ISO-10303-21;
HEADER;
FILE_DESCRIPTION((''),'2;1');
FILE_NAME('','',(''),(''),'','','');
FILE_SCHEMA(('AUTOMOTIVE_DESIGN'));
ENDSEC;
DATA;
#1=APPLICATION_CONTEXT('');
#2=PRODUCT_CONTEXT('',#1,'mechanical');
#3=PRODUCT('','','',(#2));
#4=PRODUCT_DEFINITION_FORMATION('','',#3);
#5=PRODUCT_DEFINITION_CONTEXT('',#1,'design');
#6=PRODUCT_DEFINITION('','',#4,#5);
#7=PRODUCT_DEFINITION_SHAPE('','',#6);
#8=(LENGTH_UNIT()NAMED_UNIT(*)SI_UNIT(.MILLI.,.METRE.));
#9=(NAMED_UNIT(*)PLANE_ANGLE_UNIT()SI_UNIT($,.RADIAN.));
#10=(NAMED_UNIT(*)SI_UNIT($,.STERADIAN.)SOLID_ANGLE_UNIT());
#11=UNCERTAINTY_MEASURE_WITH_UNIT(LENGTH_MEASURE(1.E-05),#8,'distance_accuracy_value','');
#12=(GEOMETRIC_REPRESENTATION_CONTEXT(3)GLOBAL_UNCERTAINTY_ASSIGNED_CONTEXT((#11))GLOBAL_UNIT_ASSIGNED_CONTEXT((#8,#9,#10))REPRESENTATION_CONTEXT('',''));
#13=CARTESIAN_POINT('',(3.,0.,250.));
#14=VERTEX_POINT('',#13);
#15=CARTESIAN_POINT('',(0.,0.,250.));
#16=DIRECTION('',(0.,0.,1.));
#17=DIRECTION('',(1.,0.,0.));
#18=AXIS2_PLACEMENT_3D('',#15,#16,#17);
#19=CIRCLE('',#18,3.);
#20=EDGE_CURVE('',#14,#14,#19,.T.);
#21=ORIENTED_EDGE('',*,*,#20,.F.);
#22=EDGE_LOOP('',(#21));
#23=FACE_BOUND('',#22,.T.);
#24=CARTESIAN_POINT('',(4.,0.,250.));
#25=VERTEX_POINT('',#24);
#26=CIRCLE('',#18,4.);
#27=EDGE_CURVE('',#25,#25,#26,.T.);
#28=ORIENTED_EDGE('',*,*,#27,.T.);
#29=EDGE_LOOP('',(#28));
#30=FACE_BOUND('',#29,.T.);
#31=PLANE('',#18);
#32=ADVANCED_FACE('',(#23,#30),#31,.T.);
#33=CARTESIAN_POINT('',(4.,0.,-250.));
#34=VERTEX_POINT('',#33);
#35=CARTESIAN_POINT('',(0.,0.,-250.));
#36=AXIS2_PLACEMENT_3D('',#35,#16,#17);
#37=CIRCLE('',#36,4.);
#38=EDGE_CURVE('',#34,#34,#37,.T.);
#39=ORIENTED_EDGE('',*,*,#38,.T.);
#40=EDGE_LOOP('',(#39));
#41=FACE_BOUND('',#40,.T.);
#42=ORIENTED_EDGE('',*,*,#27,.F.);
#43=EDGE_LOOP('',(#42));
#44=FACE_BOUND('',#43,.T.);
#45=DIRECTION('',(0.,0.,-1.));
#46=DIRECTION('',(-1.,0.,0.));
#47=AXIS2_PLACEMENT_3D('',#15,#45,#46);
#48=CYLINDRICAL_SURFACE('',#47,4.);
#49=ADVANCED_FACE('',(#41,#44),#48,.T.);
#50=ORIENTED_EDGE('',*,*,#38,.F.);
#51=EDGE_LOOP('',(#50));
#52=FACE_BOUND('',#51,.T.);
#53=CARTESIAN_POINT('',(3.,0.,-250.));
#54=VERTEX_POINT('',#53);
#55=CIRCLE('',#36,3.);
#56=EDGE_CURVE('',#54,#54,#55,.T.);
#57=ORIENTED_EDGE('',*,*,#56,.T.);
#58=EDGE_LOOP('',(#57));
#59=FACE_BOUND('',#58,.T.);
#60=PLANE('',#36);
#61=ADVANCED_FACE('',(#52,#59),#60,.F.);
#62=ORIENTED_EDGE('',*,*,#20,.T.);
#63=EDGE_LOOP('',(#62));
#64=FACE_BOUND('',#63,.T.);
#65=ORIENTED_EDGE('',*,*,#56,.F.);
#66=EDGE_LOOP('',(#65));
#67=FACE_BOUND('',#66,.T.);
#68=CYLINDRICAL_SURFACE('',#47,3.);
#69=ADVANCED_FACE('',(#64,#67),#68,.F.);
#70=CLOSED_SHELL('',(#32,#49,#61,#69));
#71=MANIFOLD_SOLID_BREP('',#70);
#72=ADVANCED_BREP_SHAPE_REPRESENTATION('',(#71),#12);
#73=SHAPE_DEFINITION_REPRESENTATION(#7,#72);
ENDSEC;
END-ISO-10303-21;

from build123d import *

# Parameters (mm, degrees)
SKETCH_1_R      = 4
SKETCH_1_R_2    = 3
EXTRUDE_1_DEPTH = 250


with BuildPart() as part:
    # Эскиз1 → Бобышка-Вытянуть1 (new body, symmetric)
    with BuildSketch(Plane.XY):
        Circle(SKETCH_1_R)
        Circle(SKETCH_1_R_2, mode=Mode.SUBTRACT)
    extrude(amount=EXTRUDE_1_DEPTH, both=True)


solid = part.part
